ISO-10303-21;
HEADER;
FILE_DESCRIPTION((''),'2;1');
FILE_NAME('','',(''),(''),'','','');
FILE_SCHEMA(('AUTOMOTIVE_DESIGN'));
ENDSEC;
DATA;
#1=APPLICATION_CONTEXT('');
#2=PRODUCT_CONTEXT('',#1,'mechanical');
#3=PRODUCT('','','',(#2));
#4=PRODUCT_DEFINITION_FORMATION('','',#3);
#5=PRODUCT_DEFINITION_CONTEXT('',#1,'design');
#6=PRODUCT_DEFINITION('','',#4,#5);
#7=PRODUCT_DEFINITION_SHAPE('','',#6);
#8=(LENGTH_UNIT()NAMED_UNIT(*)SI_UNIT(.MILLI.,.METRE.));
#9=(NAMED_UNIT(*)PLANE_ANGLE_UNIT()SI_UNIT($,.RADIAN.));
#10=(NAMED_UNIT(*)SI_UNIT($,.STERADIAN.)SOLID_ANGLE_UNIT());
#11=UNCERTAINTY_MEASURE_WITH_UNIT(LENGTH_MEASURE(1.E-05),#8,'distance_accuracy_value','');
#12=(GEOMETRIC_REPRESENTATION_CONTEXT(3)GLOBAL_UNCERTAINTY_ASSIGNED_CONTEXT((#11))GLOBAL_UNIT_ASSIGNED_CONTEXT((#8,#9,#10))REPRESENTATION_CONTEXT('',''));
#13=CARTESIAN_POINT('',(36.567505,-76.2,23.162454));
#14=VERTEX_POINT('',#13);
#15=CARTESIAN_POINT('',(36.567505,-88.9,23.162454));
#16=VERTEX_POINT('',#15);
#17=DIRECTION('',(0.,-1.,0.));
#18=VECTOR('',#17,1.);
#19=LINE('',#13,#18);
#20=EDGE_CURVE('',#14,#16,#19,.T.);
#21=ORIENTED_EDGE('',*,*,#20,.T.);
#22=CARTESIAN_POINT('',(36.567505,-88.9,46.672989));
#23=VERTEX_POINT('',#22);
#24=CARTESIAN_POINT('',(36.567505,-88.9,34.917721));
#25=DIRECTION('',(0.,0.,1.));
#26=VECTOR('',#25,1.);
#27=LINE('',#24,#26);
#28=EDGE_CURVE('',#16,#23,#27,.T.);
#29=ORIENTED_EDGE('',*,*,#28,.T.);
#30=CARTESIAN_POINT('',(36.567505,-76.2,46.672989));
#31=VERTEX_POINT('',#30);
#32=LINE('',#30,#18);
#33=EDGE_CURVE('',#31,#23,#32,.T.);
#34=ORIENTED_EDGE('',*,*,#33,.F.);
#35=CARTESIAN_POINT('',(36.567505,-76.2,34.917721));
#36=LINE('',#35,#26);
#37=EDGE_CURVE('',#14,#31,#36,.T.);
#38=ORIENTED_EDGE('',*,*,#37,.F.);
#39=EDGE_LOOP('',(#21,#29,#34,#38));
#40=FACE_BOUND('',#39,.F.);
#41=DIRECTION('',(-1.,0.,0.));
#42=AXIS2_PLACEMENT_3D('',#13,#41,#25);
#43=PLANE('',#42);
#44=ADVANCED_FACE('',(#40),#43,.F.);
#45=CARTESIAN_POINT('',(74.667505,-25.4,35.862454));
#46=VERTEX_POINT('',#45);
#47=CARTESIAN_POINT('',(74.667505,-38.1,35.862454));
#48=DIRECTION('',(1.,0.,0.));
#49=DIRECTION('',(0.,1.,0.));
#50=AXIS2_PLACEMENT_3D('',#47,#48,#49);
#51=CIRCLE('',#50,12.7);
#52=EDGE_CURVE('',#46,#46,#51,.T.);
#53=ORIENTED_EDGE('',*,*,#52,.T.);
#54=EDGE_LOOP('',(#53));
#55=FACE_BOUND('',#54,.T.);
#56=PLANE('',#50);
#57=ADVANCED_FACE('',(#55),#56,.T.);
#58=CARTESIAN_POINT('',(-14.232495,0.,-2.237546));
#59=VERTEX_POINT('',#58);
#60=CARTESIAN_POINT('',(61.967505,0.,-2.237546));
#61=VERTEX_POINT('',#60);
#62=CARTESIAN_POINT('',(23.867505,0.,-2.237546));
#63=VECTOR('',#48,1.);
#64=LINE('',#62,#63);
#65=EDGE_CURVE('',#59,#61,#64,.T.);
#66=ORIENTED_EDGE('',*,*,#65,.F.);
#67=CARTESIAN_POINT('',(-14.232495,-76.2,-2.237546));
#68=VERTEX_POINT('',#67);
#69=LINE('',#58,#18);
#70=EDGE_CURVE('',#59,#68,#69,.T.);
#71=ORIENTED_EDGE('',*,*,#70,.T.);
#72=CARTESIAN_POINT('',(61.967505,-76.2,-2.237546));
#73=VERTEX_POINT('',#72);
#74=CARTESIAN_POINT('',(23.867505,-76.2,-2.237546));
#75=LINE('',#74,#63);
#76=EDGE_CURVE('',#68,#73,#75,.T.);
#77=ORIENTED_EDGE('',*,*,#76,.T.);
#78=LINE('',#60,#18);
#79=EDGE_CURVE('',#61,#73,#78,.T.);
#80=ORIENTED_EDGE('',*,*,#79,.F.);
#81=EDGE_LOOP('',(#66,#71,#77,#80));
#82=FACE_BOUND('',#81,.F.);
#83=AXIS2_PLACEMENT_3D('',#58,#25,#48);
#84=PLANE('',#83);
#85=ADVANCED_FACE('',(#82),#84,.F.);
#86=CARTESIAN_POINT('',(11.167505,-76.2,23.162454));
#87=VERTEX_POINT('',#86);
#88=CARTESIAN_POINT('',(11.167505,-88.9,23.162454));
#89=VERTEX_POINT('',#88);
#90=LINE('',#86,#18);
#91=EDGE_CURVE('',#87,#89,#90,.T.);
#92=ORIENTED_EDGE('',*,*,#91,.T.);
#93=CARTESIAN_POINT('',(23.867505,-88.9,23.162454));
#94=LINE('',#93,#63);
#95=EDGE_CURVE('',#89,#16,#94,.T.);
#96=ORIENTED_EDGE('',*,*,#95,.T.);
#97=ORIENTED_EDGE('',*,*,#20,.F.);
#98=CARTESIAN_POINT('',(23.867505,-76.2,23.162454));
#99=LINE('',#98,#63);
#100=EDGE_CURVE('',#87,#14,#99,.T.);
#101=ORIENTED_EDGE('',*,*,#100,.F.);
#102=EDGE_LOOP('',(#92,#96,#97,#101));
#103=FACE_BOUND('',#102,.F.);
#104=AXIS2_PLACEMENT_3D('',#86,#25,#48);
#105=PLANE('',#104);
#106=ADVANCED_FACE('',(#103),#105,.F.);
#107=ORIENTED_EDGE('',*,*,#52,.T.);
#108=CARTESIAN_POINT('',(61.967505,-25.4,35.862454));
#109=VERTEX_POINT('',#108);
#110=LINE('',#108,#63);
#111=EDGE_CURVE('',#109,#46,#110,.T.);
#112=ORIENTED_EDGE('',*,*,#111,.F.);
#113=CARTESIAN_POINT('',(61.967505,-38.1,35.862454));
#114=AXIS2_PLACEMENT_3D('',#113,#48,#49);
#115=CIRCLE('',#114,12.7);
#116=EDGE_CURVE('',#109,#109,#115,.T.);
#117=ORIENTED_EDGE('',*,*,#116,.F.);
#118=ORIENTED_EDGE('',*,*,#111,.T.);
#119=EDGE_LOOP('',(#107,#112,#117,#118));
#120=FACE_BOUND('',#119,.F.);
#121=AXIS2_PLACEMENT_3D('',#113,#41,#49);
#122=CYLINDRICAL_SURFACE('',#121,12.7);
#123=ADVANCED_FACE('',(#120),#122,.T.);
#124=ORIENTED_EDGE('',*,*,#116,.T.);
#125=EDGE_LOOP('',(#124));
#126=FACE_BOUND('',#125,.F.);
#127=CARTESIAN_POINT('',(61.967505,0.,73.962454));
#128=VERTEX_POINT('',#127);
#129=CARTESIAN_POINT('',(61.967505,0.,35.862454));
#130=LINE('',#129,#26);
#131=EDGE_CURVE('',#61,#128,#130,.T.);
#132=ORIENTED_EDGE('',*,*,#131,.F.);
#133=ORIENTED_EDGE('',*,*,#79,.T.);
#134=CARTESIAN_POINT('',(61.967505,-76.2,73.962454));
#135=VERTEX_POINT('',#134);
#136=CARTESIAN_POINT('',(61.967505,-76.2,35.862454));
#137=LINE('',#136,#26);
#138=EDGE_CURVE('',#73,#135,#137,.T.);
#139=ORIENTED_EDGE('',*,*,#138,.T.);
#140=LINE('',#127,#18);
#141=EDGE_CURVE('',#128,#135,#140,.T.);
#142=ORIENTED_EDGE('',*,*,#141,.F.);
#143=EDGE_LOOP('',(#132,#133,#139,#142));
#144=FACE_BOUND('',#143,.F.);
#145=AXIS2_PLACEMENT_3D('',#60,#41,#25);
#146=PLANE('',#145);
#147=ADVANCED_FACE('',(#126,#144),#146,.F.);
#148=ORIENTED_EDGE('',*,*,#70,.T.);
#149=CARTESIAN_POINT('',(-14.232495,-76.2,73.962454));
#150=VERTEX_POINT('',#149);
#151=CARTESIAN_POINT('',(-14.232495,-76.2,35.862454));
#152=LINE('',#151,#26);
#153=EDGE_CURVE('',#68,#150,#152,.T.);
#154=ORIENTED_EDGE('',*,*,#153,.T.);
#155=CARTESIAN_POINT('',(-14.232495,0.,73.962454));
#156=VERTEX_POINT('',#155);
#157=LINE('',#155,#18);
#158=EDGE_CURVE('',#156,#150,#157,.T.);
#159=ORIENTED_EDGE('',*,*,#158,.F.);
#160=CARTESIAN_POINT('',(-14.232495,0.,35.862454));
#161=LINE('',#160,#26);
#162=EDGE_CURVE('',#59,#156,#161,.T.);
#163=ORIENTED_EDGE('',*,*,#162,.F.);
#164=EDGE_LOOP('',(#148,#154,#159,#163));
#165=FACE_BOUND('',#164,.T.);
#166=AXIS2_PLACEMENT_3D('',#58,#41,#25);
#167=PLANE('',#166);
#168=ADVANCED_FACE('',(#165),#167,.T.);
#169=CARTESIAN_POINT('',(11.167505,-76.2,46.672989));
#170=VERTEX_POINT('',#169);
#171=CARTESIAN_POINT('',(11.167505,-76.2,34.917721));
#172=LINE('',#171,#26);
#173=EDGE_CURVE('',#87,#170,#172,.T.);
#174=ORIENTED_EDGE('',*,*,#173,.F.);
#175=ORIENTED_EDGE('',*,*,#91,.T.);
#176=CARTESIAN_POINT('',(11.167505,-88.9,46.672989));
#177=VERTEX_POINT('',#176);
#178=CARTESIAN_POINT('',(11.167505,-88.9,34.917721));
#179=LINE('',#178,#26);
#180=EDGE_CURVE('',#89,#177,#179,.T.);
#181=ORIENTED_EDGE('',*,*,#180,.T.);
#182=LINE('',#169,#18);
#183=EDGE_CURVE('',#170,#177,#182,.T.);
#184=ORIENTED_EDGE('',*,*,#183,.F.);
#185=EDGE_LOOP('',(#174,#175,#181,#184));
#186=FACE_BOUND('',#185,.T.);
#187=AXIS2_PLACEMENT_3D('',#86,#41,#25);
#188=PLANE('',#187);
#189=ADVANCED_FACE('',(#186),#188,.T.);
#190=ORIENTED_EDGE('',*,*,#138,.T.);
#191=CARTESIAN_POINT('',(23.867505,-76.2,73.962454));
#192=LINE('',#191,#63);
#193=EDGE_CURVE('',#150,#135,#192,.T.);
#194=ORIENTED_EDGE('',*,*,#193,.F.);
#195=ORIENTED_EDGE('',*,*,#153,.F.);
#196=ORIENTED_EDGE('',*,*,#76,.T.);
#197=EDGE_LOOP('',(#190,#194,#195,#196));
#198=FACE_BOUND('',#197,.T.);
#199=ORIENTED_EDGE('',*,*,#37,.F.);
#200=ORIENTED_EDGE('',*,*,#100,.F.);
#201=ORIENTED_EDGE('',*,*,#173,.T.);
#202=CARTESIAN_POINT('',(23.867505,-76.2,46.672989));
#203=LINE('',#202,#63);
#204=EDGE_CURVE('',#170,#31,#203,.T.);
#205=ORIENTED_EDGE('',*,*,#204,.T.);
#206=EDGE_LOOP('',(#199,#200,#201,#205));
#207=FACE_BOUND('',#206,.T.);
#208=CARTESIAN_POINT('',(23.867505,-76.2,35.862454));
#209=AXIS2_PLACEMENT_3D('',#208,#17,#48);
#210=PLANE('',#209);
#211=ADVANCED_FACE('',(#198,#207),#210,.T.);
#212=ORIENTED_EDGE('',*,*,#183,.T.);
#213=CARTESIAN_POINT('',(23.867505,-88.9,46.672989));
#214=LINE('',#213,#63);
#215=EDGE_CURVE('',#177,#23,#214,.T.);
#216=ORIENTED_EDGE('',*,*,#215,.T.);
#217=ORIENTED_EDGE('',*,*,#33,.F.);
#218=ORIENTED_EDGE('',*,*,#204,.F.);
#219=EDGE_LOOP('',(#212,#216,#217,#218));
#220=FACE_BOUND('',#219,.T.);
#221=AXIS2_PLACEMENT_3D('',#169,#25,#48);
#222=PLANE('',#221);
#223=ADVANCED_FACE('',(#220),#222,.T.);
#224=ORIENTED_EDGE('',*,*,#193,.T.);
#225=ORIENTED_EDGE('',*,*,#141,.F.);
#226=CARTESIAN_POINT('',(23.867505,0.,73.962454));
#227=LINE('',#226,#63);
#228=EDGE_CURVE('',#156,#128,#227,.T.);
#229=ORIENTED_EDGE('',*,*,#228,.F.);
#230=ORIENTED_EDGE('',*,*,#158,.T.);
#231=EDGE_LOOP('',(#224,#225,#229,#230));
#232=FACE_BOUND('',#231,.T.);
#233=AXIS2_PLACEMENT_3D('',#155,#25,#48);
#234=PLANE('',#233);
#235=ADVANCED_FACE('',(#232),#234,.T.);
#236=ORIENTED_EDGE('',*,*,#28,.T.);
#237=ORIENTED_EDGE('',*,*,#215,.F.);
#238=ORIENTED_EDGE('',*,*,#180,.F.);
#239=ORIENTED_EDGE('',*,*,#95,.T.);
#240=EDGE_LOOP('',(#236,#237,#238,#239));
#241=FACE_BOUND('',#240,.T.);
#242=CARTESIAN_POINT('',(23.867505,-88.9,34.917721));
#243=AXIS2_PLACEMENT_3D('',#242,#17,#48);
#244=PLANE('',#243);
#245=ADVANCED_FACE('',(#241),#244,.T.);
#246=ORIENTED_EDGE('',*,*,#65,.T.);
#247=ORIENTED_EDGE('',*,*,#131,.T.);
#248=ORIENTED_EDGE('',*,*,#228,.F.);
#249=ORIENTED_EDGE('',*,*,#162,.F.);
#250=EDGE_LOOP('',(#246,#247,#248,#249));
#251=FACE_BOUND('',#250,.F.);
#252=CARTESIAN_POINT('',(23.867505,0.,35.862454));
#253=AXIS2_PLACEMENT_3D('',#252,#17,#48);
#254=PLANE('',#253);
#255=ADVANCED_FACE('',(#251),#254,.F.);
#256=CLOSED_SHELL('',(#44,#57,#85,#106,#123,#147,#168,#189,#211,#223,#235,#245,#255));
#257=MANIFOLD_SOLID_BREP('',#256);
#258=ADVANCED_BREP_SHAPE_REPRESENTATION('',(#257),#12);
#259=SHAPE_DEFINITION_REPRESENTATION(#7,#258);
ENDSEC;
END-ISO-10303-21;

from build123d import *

# Parameters (mm, degrees)
F0_W     = 76.2
F0_H     = 76.2
F1_DEPTH = 76.2
F2_W     = 25.4
F2_H     = 23.510535
F3_DEPTH = 12.7
F4_R     = 12.7
F5_DEPTH = 12.7


with BuildPart() as f1:
    # F0 (on Front) → F1 (new body)
    with BuildSketch(Plane.XZ):
        with Locations((23.867505, 35.862454)):
            Rectangle(F0_W, F0_H)
    extrude(amount=F1_DEPTH)

    # F2 (on face) → F3 (join)
    with BuildSketch(Plane.XZ.offset(76.2)):
        with Locations((23.867505, 34.917721)):
            Rectangle(F2_W, F2_H)
    extrude(amount=F3_DEPTH)

    # F4 (on face) → F5 (join)
    with BuildSketch(Plane.YZ.offset(61.967505)):
        with Locations((-38.1, 35.862454)):
            Circle(F4_R)
    extrude(amount=F5_DEPTH)


solid = f1.part
